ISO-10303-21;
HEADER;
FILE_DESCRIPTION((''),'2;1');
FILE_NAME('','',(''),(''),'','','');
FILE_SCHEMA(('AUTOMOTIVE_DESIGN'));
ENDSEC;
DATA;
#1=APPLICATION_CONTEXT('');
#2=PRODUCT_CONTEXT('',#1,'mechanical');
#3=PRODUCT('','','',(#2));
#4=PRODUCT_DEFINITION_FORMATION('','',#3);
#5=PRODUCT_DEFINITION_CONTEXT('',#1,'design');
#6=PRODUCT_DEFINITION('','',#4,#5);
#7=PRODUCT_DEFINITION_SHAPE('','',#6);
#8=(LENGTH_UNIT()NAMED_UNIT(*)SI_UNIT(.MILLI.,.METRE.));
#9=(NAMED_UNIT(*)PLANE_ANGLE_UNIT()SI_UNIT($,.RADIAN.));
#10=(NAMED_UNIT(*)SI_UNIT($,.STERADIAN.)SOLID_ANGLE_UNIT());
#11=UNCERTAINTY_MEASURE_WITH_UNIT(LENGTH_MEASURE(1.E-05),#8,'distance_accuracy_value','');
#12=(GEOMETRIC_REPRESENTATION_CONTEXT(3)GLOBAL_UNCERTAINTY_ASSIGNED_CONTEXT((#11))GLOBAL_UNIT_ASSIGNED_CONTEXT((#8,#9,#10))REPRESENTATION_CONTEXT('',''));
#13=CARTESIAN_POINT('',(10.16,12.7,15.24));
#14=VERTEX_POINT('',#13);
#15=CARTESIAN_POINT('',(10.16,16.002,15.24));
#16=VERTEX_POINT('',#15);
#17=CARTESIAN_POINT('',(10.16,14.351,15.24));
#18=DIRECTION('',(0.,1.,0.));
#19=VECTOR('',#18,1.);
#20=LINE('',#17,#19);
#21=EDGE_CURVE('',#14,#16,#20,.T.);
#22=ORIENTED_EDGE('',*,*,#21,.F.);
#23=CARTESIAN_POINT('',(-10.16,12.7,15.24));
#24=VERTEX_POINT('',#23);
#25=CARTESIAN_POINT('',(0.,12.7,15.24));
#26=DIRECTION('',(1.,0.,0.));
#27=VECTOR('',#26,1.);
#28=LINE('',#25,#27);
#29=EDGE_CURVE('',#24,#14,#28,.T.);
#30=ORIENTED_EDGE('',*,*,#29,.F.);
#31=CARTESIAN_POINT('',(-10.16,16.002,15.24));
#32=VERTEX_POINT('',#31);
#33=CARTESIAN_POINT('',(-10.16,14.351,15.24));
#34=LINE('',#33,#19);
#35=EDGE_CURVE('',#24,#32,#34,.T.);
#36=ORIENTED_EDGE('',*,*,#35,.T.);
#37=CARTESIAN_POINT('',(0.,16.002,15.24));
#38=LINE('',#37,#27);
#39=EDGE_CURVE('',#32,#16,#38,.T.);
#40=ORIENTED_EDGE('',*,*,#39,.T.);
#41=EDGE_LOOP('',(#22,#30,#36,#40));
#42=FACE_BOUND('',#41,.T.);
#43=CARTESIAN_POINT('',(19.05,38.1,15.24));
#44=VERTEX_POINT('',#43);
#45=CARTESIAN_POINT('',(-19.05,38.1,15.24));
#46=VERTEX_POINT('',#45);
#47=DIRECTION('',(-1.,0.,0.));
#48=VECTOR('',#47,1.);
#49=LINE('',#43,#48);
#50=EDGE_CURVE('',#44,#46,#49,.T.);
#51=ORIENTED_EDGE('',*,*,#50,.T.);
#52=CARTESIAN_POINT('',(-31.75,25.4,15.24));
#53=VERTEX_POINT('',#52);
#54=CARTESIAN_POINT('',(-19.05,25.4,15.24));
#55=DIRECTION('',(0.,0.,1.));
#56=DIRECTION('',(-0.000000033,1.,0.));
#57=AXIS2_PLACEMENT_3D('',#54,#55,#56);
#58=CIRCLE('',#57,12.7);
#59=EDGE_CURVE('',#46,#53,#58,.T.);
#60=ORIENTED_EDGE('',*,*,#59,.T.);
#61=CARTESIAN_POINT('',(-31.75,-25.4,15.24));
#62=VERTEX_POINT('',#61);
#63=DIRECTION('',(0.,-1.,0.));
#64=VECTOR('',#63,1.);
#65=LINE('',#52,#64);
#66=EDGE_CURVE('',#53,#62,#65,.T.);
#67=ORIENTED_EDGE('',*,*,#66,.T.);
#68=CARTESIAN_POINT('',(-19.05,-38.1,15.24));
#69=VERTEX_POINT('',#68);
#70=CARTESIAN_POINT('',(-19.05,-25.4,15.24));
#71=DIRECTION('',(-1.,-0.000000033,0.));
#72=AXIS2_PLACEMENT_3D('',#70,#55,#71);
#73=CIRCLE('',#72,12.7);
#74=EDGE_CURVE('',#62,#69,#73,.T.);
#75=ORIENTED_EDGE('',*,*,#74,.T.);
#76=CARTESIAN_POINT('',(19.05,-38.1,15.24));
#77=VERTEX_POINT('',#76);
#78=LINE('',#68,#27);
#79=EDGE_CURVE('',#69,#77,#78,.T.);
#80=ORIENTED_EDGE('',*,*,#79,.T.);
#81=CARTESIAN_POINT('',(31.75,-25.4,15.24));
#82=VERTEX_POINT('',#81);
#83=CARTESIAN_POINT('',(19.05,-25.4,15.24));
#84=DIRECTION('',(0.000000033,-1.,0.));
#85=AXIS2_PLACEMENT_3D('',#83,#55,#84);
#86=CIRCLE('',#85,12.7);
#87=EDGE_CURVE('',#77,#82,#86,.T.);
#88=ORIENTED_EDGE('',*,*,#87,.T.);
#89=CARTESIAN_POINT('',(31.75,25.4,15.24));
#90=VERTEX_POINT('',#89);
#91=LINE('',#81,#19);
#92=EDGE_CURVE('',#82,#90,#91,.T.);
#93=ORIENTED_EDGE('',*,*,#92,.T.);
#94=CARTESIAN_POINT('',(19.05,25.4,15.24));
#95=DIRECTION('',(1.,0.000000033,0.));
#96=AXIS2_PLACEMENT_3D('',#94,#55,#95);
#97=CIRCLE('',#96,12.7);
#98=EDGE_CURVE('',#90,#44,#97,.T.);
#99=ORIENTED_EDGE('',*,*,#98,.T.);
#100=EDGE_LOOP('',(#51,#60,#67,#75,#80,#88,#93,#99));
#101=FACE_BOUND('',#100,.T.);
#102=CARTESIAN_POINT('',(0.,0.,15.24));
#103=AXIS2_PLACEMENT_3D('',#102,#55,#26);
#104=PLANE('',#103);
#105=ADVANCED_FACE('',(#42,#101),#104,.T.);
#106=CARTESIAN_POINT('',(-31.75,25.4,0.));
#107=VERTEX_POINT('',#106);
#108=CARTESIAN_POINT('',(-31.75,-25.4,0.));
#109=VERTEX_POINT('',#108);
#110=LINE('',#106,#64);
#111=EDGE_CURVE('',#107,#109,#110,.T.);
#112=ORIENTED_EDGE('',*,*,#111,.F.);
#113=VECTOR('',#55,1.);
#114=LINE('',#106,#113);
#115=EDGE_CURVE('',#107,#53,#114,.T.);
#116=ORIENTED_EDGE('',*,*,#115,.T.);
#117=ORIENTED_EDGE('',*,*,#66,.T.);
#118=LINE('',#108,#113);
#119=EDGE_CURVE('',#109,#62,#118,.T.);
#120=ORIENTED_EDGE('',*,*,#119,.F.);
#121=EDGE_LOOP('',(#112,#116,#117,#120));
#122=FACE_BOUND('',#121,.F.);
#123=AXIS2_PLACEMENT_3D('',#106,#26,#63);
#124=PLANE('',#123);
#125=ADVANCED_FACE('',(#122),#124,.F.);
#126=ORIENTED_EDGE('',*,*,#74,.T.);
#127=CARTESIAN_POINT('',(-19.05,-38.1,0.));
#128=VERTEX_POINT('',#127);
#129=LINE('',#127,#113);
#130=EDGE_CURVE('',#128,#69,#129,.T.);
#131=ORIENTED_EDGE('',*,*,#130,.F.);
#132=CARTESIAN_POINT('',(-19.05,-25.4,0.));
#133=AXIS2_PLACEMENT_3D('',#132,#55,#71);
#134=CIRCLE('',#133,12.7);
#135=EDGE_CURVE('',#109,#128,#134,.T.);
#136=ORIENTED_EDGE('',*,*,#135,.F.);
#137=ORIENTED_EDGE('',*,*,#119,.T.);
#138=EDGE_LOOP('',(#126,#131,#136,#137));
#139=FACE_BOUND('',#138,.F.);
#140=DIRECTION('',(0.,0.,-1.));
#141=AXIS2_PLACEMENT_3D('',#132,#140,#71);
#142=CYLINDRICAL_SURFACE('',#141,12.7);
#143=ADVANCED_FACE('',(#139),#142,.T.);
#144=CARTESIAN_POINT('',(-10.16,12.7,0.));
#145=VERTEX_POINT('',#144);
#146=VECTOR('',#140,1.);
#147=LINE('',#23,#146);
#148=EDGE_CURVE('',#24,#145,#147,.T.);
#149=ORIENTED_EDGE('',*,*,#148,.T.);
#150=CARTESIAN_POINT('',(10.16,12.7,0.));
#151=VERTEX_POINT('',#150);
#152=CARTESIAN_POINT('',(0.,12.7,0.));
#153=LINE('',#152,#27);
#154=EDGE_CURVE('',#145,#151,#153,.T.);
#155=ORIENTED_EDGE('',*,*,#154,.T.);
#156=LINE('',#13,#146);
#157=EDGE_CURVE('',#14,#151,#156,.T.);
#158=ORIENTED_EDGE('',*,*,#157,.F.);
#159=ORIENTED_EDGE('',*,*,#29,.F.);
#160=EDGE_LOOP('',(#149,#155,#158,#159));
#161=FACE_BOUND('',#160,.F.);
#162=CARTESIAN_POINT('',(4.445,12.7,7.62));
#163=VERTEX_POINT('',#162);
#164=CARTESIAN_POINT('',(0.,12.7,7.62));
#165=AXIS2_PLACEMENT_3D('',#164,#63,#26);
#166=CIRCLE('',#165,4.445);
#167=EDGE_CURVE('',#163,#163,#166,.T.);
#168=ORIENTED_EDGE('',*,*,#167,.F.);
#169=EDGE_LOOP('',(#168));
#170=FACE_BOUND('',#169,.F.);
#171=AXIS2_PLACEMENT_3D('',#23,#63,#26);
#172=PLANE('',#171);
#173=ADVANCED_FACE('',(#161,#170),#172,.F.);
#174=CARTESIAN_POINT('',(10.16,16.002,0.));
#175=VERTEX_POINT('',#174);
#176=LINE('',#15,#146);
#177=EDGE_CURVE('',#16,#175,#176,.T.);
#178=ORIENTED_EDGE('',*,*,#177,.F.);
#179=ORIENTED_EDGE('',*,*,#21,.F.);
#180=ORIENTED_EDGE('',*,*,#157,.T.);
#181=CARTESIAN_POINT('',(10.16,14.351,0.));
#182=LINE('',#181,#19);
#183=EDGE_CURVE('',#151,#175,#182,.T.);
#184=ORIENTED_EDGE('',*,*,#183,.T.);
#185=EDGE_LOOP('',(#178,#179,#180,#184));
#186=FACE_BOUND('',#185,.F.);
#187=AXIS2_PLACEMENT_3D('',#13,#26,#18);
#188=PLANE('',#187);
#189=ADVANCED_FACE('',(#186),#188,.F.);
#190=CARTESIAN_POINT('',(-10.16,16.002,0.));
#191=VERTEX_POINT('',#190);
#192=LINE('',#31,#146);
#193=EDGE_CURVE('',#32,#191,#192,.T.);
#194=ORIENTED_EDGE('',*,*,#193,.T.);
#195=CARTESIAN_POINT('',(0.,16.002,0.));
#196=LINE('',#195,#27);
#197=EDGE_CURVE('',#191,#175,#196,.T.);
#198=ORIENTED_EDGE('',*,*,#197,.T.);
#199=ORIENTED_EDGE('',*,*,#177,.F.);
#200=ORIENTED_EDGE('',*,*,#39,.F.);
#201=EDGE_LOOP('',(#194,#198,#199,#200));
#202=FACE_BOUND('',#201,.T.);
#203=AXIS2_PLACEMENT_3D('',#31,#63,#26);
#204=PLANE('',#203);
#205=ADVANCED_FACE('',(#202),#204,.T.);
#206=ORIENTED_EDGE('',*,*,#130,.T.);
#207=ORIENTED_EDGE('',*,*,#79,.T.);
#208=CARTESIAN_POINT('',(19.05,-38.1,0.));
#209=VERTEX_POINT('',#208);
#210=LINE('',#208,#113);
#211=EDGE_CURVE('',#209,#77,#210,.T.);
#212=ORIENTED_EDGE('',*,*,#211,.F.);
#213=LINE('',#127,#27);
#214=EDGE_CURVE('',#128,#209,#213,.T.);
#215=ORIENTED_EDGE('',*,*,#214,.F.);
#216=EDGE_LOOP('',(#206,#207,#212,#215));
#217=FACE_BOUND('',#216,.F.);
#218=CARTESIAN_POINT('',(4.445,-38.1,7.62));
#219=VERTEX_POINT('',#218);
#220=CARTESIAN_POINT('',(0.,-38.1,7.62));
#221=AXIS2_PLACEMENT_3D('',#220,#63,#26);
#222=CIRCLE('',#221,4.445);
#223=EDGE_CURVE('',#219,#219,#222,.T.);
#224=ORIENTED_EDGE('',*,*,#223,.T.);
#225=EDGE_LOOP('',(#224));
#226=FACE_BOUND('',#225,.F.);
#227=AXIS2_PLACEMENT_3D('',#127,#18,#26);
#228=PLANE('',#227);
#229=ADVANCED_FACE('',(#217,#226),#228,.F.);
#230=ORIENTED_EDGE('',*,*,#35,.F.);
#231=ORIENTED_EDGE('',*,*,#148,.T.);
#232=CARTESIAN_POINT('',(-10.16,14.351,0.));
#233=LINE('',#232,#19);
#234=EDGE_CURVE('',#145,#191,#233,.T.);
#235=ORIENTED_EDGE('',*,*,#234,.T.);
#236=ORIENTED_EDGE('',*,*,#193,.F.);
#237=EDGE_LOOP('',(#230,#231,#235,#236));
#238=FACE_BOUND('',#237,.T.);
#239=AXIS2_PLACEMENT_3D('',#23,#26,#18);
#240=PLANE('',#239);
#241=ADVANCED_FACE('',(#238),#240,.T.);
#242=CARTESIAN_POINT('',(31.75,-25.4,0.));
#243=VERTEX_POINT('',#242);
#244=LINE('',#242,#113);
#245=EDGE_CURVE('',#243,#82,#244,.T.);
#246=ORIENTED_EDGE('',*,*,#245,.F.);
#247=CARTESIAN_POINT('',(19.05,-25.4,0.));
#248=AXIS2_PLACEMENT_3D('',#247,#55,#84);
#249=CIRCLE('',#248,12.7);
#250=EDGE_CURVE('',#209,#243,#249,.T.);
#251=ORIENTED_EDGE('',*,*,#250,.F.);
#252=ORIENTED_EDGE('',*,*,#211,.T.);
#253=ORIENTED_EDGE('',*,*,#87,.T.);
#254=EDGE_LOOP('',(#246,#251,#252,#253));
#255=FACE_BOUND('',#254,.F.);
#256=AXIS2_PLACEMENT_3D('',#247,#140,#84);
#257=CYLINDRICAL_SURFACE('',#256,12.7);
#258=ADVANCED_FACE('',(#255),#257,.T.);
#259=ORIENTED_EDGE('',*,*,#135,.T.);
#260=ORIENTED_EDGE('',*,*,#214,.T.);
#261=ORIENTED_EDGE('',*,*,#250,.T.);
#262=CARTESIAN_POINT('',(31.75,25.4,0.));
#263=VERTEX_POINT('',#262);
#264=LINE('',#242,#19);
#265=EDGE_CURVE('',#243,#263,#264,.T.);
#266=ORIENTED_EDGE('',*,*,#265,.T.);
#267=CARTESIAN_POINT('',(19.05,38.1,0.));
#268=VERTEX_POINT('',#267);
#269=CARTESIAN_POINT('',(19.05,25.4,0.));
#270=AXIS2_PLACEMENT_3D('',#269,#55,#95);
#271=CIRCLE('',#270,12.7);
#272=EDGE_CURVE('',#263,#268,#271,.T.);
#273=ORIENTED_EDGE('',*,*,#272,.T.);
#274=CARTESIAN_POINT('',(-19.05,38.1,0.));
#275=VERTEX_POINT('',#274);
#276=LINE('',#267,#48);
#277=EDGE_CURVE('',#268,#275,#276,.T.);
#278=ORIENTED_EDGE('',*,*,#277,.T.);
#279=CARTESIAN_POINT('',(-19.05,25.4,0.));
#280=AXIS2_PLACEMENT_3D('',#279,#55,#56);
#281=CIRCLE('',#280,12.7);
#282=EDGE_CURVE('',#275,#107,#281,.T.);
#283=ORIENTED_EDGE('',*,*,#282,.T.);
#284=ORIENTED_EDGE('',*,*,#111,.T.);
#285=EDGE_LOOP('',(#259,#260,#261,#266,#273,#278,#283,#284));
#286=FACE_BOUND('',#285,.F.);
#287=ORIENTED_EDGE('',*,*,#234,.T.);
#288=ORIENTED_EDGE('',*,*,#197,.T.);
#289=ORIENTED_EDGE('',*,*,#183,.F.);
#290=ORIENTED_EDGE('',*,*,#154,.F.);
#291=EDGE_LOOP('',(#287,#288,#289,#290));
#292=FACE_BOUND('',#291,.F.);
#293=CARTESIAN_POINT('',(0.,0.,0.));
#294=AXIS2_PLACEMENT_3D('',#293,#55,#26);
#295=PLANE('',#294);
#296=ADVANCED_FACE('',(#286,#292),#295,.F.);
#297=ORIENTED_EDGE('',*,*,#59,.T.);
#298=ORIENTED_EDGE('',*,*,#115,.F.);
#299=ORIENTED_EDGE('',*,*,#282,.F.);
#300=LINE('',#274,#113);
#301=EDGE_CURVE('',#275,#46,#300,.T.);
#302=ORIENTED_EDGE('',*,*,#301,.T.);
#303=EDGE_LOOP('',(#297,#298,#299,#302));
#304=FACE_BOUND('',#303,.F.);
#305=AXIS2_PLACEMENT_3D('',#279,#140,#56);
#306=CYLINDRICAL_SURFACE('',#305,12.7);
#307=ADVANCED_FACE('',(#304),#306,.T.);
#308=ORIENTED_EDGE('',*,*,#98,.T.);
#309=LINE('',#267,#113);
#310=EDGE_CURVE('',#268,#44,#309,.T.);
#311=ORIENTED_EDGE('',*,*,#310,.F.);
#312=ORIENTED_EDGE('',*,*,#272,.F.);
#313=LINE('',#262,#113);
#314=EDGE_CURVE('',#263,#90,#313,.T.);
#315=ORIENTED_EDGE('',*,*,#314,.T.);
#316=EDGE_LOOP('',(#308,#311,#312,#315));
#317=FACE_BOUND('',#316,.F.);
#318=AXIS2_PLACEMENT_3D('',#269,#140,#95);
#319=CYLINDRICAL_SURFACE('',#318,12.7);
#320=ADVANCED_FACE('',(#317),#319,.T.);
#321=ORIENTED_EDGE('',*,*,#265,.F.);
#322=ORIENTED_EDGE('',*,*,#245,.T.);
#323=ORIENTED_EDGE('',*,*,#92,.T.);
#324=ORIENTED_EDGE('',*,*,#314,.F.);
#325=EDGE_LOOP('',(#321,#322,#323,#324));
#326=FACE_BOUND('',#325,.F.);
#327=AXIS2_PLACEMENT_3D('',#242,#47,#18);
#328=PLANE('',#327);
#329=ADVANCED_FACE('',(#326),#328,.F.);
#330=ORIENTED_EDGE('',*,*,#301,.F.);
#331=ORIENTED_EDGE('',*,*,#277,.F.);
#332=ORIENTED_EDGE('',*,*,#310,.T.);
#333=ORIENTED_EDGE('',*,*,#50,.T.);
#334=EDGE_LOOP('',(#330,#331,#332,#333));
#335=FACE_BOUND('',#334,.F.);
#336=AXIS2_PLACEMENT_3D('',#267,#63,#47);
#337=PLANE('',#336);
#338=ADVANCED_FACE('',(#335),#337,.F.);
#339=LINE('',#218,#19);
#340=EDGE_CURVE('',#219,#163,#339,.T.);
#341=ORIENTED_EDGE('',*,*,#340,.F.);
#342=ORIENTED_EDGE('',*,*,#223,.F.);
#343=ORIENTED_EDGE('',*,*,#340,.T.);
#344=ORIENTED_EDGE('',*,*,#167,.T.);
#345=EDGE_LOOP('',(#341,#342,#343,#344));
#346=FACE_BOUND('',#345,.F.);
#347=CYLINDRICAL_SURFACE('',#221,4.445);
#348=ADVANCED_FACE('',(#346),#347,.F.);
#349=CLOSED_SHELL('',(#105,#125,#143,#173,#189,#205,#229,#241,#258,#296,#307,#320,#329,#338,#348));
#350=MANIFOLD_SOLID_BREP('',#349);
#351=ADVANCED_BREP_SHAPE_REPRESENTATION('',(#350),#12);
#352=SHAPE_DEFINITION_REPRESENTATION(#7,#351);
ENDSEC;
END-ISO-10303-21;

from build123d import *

# Parameters (mm, degrees)
F1_DEPTH = 15.24
F2_R     = 4.445
F3_DEPTH = 50.8
F4_W     = 20.32
F4_H     = 3.302
F5_DEPTH = 15.24


with BuildPart() as f1:
    # F0 (on Top) → F1 (new body)
    with BuildSketch(Plane.XY):
        with BuildLine():
            ThreePointArc((31.75, 25.4), (28.030256, 34.380256), (19.05, 38.1))
            Line((19.05, 38.1), (-19.05, 38.1))
            ThreePointArc((-19.05, 38.1), (-28.030256, 34.380256), (-31.75, 25.4))
            Line((-31.75, 25.4), (-31.75, -25.4))
            ThreePointArc((-31.75, -25.4), (-28.030256, -34.380256), (-19.05, -38.1))
            Line((-19.05, -38.1), (19.05, -38.1))
            ThreePointArc((19.05, -38.1), (28.030256, -34.380256), (31.75, -25.4))
            Line((31.75, -25.4), (31.75, 25.4))
        make_face()
    extrude(amount=F1_DEPTH)

    # F2 (on face) → F3 (cut)
    with BuildSketch(Plane.XZ.offset(38.1)):
        with Locations((0, 7.62)):
            Circle(F2_R)
    extrude(amount=-F3_DEPTH, mode=Mode.SUBTRACT)

    # F4 (on face) → F5 (cut)
    with BuildSketch(Plane.XY.offset(15.24)):
        with Locations((0, 14.351)):
            Rectangle(F4_W, F4_H)
    extrude(amount=-F5_DEPTH, mode=Mode.SUBTRACT)


solid = f1.part
